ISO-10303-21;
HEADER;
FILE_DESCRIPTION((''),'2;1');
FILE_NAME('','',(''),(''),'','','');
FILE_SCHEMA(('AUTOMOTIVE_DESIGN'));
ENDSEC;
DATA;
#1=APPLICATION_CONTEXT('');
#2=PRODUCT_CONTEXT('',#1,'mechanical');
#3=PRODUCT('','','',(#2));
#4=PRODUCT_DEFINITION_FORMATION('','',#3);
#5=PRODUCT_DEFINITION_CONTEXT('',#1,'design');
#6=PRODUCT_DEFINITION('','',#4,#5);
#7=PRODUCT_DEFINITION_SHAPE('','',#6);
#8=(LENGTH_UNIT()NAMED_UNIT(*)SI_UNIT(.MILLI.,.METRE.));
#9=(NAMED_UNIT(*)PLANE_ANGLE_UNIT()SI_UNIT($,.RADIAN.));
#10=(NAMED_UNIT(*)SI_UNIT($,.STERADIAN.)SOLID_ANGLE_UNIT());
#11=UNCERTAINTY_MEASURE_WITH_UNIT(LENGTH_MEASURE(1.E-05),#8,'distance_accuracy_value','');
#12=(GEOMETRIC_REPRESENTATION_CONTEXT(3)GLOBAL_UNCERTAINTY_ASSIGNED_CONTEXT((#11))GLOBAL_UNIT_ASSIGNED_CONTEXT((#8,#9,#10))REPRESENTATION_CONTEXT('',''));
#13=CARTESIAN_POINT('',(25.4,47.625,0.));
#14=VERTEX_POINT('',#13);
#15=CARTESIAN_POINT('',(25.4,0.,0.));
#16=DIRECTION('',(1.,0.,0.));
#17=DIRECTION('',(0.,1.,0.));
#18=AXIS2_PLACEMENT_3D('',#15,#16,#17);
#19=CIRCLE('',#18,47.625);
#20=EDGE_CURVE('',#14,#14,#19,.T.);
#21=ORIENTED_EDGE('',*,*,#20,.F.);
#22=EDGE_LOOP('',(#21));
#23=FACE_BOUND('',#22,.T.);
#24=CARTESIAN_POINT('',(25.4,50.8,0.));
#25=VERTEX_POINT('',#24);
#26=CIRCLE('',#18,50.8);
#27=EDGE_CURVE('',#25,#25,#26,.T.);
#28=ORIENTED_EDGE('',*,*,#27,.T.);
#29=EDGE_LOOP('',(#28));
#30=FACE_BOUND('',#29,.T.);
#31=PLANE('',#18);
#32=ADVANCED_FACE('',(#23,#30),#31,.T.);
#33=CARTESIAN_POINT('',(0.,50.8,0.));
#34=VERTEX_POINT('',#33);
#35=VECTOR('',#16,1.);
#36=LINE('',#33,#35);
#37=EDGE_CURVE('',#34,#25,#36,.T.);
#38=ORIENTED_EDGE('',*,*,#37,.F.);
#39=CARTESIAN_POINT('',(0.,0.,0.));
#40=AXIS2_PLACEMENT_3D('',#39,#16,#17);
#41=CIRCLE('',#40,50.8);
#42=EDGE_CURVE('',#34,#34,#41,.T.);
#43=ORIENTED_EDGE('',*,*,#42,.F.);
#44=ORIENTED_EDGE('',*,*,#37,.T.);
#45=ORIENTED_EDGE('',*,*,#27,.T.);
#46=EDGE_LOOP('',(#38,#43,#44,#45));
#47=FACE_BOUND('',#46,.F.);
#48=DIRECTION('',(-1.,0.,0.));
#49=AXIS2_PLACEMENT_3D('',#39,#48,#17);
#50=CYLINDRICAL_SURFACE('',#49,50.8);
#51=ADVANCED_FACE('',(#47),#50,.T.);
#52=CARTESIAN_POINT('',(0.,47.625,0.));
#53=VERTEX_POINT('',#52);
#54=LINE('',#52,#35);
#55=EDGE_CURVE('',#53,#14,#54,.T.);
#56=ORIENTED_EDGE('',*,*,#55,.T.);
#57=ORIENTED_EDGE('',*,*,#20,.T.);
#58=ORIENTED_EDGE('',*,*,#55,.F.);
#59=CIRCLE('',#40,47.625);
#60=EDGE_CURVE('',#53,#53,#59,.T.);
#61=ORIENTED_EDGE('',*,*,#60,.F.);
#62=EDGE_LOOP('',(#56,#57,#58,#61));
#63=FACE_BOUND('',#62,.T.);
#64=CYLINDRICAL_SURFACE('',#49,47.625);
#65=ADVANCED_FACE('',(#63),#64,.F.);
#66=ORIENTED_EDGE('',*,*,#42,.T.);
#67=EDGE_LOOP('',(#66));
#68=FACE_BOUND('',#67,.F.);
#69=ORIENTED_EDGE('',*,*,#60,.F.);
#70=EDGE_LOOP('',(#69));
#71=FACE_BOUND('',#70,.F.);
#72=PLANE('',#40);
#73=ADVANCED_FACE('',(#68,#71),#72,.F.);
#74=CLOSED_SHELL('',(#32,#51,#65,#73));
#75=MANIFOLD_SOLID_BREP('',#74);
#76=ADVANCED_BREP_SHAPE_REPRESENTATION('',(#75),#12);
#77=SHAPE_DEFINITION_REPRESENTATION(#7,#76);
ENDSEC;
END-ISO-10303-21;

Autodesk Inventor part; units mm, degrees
ref_plane "YZ Plane" through (0, 0, 0) normal (1, 0, 0) x (0, 1, 0)
ref_plane "XZ Plane" through (0, 0, 0) normal (0, 1, 0) x (-1, 0, 0)
ref_plane "XY Plane" through (0, 0, 0) normal (0, 0, 1) x (1, 0, 0)
sketch "Sketch1" plane through (0, 0, 0) normal (1, 0, 0) x (0, 1, 0)
  circle A0 centre (0, 0) radius 47.625
  circle A1 centre (0, 0) radius 50.8
  dimension "d0" = 95.25
  dimension "d1" = 3.175
  dimension "d4" = 101.6
extrude "Extrusion1" add sketch "Sketch1" along normal blind 25.4
properties part number "4InchRoughTopTread(1inWidth)-1111-2017" material "Rubber"
